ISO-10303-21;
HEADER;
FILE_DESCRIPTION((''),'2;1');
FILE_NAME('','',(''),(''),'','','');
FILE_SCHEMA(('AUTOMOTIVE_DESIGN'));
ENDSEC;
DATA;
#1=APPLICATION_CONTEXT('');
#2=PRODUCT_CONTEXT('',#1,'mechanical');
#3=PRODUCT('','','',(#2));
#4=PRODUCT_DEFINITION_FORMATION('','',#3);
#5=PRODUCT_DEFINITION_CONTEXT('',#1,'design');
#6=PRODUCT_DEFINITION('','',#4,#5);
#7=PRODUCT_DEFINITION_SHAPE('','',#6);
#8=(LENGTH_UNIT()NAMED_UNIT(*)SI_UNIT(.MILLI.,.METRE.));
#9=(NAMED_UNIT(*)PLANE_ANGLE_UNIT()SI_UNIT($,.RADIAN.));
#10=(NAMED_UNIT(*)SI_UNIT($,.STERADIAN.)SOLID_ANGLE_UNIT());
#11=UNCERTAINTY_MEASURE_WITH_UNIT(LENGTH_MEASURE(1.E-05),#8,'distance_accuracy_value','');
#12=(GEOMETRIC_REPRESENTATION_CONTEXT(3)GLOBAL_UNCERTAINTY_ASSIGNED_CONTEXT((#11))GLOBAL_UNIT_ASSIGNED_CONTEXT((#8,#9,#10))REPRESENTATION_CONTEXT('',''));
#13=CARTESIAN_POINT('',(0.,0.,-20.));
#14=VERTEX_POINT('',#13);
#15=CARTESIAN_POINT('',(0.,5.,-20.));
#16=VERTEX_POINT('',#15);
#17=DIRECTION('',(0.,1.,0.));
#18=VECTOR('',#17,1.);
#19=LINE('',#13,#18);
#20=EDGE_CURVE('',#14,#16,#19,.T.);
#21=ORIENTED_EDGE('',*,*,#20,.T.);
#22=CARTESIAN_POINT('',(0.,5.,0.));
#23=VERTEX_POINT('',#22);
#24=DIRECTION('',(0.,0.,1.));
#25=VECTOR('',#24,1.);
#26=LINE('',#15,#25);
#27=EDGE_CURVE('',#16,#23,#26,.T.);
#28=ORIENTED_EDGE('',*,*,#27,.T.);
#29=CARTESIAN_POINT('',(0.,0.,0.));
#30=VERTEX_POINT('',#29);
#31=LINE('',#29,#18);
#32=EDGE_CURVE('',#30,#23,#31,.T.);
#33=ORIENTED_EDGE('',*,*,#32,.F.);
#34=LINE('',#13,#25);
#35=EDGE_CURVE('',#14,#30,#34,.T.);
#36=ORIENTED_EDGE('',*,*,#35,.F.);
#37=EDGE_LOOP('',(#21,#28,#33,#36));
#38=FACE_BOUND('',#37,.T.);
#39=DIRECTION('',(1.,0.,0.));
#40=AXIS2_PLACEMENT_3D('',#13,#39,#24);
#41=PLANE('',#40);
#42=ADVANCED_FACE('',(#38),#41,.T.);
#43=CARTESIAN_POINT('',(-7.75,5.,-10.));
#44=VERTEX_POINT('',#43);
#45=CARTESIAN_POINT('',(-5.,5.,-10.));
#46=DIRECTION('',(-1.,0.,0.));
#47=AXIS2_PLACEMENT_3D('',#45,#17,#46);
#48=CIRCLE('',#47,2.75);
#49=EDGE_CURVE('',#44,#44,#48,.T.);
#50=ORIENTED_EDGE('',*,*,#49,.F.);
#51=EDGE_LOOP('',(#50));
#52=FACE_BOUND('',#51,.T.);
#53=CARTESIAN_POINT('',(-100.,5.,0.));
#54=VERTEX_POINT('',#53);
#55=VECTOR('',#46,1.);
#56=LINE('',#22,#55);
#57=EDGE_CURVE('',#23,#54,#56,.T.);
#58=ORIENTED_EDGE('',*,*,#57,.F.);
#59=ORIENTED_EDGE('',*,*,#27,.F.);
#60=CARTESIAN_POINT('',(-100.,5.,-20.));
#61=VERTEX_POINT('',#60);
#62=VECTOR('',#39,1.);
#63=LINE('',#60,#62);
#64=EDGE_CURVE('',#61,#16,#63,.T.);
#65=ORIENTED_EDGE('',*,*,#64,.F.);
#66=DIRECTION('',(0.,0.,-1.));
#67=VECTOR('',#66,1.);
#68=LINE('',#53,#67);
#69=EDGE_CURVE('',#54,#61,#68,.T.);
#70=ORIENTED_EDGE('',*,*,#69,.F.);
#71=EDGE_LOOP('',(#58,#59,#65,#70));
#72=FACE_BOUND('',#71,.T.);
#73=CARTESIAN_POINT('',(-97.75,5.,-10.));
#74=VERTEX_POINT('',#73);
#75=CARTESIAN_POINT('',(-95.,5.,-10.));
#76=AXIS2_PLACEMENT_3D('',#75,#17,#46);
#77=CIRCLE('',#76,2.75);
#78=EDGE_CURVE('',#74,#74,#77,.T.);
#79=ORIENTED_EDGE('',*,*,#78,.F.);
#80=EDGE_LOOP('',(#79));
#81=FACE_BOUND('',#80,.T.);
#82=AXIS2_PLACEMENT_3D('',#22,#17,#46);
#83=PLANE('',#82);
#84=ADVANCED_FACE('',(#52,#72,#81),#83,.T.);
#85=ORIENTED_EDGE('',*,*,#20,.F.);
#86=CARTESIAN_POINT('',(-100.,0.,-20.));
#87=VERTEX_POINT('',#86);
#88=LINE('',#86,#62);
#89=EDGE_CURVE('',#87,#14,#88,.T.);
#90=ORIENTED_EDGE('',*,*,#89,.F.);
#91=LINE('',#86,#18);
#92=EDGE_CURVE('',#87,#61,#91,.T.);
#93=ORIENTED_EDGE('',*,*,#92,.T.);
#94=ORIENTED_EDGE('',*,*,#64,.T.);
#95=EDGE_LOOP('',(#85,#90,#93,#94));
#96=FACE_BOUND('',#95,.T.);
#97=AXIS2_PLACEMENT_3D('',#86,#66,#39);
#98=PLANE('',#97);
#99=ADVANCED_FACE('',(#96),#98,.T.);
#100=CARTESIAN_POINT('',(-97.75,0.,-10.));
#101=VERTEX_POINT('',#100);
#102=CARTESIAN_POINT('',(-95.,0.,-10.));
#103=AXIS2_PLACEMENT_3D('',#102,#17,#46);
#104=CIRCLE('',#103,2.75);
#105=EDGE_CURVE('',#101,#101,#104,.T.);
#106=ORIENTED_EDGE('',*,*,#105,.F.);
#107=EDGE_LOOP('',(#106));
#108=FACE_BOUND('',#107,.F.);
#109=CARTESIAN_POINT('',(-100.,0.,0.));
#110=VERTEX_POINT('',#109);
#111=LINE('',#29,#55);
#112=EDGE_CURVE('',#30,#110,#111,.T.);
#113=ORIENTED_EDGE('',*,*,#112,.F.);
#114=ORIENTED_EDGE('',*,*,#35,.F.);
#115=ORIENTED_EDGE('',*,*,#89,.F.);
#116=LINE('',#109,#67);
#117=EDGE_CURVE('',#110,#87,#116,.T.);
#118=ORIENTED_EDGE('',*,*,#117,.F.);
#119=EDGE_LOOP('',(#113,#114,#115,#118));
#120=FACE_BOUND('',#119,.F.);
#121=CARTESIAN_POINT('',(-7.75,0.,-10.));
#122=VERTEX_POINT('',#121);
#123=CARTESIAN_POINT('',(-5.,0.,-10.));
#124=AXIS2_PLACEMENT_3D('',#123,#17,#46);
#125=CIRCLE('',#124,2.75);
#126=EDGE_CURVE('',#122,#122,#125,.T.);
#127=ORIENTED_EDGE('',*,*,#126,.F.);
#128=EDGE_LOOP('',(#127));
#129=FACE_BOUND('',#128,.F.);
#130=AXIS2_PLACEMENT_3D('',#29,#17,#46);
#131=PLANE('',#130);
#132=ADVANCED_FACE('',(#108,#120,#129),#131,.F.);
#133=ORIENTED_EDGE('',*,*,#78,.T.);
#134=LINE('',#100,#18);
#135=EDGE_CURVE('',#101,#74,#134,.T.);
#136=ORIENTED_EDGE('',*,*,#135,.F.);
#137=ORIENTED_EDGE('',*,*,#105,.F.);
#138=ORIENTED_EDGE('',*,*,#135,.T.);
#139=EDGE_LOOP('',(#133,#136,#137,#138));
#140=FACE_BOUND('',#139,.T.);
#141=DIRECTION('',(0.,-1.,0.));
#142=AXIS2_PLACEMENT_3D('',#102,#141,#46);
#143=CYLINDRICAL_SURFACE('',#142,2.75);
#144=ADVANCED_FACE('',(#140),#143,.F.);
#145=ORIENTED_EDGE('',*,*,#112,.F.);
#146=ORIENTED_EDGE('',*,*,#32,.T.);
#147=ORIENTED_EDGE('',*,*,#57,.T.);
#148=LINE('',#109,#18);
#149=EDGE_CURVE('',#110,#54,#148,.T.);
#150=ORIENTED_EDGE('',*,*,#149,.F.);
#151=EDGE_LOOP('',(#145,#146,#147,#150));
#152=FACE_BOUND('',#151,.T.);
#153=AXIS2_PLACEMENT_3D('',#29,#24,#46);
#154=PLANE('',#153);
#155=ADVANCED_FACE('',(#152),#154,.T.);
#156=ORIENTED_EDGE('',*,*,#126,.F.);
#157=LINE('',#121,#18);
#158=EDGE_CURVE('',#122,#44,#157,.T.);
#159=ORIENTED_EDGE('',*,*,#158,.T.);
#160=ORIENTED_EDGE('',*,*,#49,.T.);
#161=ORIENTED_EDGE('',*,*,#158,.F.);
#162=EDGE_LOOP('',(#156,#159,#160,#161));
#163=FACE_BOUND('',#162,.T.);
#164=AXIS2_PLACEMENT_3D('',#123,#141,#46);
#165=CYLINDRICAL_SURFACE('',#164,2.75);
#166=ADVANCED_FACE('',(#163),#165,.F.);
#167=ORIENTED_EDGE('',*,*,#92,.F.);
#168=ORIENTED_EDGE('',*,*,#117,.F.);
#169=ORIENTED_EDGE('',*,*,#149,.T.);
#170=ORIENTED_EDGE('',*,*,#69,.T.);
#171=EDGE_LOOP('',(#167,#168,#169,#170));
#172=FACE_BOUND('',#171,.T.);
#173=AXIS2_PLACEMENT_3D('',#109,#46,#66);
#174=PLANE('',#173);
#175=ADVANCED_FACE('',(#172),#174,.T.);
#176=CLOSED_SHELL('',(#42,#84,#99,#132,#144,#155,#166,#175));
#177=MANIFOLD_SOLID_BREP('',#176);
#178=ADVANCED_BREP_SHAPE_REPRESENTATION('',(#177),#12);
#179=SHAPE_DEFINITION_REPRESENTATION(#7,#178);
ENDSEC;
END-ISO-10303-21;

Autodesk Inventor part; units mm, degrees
ref_plane "YZ Plane" through (0, 0, 0) normal (1, 0, 0) x (0, 1, 0)
ref_plane "XZ Plane" through (0, 0, 0) normal (0, 1, 0) x (-1, 0, 0)
ref_plane "XY Plane" through (0, 0, 0) normal (0, 0, 1) x (1, 0, 0)
sketch "Sketch1" plane through (0, 0, 0) normal (0, 1, 0) x (-1, 0, 0)
  line L0 (0, 0) -> (100, 0)
  line L1 (100, 0) -> (100, -20)
  line L2 (100, -20) -> (0, -20)
  line L3 (0, -20) -> (0, 0)
  circle A0 centre (95, -10) radius 2.75
  circle A1 centre (5, -10) radius 2.75
  point P0 (0, -10)
  point P1 (100, -10)
  dimension "d0" = 20
  dimension "d1" = 100
  dimension "d2" = 5.5
  dimension "d3" = 5.5
  dimension "d4" = 5
  dimension "d5" = 5
extrude "Extrusion1" add sketch "Sketch1" along normal blind 5
properties part number "RollXAxis" material "Wood (Birch)"
